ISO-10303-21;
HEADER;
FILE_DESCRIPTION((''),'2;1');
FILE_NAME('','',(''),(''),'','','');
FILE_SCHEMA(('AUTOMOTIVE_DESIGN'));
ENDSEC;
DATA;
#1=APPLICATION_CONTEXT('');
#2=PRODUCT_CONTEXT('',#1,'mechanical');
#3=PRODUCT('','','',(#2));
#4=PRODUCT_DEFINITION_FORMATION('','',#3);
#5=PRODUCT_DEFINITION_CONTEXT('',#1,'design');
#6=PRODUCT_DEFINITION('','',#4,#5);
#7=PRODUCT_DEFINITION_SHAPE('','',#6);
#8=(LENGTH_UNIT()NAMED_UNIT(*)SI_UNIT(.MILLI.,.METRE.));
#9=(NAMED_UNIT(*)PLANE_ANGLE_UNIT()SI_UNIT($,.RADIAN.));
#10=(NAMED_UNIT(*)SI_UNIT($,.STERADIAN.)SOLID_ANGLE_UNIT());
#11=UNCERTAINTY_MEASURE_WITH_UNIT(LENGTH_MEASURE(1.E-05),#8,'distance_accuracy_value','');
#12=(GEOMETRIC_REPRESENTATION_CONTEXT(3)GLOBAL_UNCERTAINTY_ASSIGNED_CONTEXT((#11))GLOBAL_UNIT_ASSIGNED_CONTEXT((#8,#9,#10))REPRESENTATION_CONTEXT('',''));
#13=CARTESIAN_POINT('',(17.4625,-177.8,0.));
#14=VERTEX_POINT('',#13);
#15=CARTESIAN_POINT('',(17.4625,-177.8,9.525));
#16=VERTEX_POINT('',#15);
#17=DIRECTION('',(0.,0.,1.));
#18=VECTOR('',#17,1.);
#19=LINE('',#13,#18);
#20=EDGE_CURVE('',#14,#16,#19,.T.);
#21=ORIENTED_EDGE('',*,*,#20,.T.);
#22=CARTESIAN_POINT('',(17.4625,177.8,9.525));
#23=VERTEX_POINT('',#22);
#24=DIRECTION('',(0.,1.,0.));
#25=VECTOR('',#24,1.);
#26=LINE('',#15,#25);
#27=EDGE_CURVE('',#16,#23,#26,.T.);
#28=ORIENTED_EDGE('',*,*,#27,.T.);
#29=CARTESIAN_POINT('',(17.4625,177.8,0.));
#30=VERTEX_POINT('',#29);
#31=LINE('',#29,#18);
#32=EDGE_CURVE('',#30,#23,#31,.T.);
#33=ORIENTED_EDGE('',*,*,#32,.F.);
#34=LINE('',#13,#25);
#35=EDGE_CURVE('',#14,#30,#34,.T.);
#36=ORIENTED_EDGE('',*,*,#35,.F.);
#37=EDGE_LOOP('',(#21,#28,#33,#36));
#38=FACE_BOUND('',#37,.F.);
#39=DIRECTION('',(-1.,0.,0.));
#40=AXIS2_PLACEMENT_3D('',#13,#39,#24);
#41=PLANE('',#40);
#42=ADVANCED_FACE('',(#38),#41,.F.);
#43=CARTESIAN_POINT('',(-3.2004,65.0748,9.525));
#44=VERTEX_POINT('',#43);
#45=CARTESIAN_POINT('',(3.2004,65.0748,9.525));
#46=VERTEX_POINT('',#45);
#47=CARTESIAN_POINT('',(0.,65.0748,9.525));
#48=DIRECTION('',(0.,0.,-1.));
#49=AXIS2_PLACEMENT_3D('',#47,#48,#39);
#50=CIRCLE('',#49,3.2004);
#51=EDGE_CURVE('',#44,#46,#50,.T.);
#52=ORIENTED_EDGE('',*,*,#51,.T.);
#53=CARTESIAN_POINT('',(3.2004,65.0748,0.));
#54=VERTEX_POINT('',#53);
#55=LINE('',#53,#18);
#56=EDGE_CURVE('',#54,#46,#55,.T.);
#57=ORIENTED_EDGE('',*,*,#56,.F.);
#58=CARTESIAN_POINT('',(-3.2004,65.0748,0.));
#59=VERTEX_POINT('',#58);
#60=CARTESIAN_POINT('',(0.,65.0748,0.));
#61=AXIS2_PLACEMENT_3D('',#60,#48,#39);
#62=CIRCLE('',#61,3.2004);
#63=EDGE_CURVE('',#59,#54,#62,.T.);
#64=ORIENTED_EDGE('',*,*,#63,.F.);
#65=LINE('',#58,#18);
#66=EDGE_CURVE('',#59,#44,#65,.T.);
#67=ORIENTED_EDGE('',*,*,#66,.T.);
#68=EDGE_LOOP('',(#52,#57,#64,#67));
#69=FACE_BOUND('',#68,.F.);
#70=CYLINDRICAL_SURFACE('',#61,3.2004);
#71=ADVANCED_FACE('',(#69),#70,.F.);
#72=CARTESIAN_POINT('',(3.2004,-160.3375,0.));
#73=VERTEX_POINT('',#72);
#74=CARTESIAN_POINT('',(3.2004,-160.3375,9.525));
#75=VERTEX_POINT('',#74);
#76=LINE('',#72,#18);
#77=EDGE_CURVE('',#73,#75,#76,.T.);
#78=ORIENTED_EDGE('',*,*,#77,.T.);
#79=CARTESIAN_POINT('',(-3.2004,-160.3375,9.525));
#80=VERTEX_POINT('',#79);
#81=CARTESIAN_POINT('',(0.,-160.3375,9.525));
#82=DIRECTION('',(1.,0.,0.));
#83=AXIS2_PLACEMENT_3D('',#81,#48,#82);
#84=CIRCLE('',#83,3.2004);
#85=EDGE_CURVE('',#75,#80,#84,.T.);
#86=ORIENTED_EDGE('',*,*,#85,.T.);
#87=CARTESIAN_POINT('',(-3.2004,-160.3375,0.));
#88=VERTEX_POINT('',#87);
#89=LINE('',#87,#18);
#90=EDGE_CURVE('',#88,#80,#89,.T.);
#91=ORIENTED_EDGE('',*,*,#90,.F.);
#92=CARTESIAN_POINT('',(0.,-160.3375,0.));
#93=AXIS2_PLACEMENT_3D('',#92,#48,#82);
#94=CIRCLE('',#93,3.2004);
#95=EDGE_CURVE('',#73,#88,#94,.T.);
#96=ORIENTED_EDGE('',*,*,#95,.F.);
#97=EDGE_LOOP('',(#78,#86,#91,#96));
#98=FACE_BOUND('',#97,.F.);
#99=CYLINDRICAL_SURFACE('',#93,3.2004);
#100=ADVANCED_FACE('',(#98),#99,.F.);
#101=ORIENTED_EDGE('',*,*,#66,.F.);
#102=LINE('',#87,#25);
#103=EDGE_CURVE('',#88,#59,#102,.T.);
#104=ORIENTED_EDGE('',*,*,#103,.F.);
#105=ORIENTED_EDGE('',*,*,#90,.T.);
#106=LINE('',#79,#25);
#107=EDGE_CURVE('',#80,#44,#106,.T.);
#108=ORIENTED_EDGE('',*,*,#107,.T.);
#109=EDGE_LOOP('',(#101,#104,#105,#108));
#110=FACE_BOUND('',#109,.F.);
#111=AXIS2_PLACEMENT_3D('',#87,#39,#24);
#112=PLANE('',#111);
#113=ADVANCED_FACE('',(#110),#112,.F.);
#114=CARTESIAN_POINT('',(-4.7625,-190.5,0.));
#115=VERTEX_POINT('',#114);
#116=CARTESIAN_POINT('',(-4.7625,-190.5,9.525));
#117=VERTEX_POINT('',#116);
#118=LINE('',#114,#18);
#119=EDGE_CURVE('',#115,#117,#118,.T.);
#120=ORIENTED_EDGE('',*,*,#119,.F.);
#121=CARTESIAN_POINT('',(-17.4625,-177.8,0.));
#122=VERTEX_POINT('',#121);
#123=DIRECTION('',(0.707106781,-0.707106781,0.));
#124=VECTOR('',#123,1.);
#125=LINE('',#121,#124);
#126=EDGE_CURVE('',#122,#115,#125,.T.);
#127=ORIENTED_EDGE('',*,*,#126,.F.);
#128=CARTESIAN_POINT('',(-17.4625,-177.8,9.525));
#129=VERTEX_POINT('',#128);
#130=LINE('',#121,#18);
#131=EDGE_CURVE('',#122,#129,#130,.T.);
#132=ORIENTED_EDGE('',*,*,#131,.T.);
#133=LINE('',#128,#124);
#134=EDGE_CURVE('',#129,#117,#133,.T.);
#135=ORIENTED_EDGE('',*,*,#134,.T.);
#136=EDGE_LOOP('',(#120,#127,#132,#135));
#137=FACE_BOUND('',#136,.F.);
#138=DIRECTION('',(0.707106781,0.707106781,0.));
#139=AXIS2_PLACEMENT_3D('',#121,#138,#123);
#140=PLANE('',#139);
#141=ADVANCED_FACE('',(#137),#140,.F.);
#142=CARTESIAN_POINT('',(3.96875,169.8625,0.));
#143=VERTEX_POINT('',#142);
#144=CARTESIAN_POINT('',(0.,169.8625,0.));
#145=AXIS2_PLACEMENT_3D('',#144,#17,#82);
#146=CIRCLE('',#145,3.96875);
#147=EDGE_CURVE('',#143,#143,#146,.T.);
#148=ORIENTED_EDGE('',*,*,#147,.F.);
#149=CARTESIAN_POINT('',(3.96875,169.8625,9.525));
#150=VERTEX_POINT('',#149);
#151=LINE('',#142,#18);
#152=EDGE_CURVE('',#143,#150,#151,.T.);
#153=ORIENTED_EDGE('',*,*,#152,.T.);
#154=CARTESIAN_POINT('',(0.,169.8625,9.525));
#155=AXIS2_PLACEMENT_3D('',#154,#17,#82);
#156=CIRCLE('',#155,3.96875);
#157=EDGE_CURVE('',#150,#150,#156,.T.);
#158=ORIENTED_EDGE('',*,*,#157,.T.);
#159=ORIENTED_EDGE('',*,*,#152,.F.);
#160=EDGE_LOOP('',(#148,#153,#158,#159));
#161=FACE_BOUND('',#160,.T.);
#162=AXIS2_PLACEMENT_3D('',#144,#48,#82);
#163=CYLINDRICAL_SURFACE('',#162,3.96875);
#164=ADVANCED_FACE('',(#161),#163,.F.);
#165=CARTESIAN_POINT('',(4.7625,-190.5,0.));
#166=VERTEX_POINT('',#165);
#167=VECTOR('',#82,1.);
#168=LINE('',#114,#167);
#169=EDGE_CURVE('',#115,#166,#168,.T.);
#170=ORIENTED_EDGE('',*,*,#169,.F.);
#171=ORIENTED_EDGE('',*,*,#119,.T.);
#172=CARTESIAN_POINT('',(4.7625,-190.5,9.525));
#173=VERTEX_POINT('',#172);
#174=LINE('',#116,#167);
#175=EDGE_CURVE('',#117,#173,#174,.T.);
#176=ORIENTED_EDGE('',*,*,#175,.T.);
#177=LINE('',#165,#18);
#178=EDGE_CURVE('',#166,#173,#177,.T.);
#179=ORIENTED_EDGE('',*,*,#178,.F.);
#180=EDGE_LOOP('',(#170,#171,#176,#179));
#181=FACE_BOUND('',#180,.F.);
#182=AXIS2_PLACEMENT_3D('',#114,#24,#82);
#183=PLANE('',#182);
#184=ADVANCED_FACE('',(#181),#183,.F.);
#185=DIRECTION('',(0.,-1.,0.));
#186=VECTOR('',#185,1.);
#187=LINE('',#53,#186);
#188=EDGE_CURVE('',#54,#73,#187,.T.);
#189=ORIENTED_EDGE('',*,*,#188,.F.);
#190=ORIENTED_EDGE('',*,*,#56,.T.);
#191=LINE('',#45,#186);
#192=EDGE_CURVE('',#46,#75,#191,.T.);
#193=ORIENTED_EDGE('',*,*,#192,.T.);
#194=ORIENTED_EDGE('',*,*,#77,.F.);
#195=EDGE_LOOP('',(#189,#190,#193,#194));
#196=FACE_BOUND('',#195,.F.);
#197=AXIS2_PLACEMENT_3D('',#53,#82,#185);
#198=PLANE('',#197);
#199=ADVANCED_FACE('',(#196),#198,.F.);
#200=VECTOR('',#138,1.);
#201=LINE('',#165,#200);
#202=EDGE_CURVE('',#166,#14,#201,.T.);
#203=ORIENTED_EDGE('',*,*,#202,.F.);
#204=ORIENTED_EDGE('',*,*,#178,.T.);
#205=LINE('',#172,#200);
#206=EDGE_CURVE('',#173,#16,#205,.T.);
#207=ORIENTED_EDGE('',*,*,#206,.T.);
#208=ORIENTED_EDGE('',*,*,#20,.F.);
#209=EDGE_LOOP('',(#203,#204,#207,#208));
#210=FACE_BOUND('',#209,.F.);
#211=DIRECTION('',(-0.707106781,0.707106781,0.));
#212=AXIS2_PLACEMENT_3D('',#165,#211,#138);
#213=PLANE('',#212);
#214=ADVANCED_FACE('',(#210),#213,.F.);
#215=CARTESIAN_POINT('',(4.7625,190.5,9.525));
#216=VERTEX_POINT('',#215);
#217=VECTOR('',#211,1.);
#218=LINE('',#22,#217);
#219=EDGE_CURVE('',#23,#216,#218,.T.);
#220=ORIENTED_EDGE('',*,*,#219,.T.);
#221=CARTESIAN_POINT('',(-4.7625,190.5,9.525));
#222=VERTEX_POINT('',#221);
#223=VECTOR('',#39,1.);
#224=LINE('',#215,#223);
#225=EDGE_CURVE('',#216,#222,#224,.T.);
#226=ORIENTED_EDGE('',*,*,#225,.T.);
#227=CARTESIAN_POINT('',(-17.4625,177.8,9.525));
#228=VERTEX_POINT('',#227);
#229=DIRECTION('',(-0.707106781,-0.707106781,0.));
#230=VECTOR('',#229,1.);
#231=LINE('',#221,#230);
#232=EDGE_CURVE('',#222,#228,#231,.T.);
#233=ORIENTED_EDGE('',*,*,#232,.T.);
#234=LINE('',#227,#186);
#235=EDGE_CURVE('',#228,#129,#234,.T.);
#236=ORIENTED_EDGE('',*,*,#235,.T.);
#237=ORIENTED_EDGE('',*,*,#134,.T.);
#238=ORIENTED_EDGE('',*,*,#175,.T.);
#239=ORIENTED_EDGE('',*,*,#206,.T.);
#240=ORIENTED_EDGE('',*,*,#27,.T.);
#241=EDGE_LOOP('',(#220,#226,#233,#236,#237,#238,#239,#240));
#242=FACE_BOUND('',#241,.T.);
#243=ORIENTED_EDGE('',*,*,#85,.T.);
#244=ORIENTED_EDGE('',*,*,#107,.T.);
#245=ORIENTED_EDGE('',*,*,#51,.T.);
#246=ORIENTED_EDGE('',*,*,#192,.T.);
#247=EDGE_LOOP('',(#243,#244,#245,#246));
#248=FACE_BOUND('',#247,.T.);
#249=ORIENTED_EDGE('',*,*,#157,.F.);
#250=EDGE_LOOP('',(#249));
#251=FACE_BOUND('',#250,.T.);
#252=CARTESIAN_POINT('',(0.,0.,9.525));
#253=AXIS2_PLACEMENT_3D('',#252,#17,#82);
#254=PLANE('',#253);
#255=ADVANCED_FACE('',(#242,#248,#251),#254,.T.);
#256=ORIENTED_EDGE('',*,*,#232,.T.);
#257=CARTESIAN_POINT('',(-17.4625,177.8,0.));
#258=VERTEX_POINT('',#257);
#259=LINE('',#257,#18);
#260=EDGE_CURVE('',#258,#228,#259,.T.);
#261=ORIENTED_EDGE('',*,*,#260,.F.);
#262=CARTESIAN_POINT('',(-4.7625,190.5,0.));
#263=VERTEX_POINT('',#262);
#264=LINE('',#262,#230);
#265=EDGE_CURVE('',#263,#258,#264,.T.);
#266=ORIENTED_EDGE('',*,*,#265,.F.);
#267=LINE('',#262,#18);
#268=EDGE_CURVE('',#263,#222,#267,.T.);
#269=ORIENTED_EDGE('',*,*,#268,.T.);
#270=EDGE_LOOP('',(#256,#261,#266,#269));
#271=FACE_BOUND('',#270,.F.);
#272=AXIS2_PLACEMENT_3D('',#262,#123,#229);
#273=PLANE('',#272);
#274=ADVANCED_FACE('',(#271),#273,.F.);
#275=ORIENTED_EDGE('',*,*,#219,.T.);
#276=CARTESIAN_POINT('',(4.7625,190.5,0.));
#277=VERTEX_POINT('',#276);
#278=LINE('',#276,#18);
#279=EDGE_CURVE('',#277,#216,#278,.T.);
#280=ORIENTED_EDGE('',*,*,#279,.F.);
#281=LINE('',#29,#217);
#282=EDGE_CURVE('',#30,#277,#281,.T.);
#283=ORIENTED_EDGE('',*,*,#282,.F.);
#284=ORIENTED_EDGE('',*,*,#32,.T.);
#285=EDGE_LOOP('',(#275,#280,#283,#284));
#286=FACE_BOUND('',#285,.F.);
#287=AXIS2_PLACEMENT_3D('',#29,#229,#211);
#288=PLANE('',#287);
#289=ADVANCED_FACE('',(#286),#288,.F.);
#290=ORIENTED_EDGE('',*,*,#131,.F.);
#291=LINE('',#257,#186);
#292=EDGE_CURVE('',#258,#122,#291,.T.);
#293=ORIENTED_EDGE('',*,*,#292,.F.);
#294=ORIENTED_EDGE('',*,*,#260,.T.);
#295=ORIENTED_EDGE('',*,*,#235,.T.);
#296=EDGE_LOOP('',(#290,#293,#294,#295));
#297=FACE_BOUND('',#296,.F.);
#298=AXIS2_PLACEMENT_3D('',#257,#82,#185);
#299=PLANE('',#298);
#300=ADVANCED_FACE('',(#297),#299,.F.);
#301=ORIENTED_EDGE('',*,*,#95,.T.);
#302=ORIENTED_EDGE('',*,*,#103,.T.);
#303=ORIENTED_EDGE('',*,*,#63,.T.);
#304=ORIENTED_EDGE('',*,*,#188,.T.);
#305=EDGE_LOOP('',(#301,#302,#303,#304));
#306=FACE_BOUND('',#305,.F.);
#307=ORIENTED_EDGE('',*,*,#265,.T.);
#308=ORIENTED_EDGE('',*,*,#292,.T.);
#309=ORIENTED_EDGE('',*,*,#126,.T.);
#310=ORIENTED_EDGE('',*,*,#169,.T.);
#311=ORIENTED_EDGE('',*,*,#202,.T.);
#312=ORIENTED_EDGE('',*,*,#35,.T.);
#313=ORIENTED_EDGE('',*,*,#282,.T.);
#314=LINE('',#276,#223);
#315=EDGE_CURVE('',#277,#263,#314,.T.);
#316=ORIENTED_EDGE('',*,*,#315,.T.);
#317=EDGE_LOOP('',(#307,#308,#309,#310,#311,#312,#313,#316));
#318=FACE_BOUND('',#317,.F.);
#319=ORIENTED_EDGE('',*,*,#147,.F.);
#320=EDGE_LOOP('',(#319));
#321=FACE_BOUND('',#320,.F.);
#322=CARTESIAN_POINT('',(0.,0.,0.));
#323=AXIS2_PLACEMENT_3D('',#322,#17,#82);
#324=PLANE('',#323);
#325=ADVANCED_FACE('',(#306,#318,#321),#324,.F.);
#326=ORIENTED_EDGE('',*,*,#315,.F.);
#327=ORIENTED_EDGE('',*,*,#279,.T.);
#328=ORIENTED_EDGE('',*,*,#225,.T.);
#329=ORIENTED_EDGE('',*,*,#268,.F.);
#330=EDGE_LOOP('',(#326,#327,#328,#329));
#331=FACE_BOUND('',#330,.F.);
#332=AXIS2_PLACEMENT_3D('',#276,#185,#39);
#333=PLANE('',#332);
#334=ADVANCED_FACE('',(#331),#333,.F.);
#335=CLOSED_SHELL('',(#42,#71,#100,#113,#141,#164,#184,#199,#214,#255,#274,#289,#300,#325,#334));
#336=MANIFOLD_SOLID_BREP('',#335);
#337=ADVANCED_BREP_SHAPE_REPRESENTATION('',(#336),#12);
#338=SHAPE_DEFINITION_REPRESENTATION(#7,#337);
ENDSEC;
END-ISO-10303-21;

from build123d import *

# Parameters (mm, degrees)
F0_R     = 3.96875
F1_DEPTH = 9.525


with BuildPart() as f1:
    # F0 (on Top) → F1 (new body)
    with BuildSketch(Plane.XY):
        Polygon((4.7625, 190.5), (-4.7625, 190.5), (-17.4625, 177.8), (-17.4625, -177.8), (-4.7625, -190.5), (4.7625, -190.5), (17.4625, -177.8), (17.4625, 177.8), align=None)
        with BuildLine():
            ThreePointArc((3.2004, -160.3375), (0, -163.5379), (-3.2004, -160.3375))
            Line((-3.2004, -160.3375), (-3.2004, 65.0748))
            ThreePointArc((-3.2004, 65.0748), (0, 68.2752), (3.2004, 65.0748))
            Line((3.2004, 65.0748), (3.2004, -160.3375))
        make_face(mode=Mode.SUBTRACT)
        with Locations((0, 169.8625)):
            Circle(F0_R, mode=Mode.SUBTRACT)
    extrude(amount=F1_DEPTH)


solid = f1.part
